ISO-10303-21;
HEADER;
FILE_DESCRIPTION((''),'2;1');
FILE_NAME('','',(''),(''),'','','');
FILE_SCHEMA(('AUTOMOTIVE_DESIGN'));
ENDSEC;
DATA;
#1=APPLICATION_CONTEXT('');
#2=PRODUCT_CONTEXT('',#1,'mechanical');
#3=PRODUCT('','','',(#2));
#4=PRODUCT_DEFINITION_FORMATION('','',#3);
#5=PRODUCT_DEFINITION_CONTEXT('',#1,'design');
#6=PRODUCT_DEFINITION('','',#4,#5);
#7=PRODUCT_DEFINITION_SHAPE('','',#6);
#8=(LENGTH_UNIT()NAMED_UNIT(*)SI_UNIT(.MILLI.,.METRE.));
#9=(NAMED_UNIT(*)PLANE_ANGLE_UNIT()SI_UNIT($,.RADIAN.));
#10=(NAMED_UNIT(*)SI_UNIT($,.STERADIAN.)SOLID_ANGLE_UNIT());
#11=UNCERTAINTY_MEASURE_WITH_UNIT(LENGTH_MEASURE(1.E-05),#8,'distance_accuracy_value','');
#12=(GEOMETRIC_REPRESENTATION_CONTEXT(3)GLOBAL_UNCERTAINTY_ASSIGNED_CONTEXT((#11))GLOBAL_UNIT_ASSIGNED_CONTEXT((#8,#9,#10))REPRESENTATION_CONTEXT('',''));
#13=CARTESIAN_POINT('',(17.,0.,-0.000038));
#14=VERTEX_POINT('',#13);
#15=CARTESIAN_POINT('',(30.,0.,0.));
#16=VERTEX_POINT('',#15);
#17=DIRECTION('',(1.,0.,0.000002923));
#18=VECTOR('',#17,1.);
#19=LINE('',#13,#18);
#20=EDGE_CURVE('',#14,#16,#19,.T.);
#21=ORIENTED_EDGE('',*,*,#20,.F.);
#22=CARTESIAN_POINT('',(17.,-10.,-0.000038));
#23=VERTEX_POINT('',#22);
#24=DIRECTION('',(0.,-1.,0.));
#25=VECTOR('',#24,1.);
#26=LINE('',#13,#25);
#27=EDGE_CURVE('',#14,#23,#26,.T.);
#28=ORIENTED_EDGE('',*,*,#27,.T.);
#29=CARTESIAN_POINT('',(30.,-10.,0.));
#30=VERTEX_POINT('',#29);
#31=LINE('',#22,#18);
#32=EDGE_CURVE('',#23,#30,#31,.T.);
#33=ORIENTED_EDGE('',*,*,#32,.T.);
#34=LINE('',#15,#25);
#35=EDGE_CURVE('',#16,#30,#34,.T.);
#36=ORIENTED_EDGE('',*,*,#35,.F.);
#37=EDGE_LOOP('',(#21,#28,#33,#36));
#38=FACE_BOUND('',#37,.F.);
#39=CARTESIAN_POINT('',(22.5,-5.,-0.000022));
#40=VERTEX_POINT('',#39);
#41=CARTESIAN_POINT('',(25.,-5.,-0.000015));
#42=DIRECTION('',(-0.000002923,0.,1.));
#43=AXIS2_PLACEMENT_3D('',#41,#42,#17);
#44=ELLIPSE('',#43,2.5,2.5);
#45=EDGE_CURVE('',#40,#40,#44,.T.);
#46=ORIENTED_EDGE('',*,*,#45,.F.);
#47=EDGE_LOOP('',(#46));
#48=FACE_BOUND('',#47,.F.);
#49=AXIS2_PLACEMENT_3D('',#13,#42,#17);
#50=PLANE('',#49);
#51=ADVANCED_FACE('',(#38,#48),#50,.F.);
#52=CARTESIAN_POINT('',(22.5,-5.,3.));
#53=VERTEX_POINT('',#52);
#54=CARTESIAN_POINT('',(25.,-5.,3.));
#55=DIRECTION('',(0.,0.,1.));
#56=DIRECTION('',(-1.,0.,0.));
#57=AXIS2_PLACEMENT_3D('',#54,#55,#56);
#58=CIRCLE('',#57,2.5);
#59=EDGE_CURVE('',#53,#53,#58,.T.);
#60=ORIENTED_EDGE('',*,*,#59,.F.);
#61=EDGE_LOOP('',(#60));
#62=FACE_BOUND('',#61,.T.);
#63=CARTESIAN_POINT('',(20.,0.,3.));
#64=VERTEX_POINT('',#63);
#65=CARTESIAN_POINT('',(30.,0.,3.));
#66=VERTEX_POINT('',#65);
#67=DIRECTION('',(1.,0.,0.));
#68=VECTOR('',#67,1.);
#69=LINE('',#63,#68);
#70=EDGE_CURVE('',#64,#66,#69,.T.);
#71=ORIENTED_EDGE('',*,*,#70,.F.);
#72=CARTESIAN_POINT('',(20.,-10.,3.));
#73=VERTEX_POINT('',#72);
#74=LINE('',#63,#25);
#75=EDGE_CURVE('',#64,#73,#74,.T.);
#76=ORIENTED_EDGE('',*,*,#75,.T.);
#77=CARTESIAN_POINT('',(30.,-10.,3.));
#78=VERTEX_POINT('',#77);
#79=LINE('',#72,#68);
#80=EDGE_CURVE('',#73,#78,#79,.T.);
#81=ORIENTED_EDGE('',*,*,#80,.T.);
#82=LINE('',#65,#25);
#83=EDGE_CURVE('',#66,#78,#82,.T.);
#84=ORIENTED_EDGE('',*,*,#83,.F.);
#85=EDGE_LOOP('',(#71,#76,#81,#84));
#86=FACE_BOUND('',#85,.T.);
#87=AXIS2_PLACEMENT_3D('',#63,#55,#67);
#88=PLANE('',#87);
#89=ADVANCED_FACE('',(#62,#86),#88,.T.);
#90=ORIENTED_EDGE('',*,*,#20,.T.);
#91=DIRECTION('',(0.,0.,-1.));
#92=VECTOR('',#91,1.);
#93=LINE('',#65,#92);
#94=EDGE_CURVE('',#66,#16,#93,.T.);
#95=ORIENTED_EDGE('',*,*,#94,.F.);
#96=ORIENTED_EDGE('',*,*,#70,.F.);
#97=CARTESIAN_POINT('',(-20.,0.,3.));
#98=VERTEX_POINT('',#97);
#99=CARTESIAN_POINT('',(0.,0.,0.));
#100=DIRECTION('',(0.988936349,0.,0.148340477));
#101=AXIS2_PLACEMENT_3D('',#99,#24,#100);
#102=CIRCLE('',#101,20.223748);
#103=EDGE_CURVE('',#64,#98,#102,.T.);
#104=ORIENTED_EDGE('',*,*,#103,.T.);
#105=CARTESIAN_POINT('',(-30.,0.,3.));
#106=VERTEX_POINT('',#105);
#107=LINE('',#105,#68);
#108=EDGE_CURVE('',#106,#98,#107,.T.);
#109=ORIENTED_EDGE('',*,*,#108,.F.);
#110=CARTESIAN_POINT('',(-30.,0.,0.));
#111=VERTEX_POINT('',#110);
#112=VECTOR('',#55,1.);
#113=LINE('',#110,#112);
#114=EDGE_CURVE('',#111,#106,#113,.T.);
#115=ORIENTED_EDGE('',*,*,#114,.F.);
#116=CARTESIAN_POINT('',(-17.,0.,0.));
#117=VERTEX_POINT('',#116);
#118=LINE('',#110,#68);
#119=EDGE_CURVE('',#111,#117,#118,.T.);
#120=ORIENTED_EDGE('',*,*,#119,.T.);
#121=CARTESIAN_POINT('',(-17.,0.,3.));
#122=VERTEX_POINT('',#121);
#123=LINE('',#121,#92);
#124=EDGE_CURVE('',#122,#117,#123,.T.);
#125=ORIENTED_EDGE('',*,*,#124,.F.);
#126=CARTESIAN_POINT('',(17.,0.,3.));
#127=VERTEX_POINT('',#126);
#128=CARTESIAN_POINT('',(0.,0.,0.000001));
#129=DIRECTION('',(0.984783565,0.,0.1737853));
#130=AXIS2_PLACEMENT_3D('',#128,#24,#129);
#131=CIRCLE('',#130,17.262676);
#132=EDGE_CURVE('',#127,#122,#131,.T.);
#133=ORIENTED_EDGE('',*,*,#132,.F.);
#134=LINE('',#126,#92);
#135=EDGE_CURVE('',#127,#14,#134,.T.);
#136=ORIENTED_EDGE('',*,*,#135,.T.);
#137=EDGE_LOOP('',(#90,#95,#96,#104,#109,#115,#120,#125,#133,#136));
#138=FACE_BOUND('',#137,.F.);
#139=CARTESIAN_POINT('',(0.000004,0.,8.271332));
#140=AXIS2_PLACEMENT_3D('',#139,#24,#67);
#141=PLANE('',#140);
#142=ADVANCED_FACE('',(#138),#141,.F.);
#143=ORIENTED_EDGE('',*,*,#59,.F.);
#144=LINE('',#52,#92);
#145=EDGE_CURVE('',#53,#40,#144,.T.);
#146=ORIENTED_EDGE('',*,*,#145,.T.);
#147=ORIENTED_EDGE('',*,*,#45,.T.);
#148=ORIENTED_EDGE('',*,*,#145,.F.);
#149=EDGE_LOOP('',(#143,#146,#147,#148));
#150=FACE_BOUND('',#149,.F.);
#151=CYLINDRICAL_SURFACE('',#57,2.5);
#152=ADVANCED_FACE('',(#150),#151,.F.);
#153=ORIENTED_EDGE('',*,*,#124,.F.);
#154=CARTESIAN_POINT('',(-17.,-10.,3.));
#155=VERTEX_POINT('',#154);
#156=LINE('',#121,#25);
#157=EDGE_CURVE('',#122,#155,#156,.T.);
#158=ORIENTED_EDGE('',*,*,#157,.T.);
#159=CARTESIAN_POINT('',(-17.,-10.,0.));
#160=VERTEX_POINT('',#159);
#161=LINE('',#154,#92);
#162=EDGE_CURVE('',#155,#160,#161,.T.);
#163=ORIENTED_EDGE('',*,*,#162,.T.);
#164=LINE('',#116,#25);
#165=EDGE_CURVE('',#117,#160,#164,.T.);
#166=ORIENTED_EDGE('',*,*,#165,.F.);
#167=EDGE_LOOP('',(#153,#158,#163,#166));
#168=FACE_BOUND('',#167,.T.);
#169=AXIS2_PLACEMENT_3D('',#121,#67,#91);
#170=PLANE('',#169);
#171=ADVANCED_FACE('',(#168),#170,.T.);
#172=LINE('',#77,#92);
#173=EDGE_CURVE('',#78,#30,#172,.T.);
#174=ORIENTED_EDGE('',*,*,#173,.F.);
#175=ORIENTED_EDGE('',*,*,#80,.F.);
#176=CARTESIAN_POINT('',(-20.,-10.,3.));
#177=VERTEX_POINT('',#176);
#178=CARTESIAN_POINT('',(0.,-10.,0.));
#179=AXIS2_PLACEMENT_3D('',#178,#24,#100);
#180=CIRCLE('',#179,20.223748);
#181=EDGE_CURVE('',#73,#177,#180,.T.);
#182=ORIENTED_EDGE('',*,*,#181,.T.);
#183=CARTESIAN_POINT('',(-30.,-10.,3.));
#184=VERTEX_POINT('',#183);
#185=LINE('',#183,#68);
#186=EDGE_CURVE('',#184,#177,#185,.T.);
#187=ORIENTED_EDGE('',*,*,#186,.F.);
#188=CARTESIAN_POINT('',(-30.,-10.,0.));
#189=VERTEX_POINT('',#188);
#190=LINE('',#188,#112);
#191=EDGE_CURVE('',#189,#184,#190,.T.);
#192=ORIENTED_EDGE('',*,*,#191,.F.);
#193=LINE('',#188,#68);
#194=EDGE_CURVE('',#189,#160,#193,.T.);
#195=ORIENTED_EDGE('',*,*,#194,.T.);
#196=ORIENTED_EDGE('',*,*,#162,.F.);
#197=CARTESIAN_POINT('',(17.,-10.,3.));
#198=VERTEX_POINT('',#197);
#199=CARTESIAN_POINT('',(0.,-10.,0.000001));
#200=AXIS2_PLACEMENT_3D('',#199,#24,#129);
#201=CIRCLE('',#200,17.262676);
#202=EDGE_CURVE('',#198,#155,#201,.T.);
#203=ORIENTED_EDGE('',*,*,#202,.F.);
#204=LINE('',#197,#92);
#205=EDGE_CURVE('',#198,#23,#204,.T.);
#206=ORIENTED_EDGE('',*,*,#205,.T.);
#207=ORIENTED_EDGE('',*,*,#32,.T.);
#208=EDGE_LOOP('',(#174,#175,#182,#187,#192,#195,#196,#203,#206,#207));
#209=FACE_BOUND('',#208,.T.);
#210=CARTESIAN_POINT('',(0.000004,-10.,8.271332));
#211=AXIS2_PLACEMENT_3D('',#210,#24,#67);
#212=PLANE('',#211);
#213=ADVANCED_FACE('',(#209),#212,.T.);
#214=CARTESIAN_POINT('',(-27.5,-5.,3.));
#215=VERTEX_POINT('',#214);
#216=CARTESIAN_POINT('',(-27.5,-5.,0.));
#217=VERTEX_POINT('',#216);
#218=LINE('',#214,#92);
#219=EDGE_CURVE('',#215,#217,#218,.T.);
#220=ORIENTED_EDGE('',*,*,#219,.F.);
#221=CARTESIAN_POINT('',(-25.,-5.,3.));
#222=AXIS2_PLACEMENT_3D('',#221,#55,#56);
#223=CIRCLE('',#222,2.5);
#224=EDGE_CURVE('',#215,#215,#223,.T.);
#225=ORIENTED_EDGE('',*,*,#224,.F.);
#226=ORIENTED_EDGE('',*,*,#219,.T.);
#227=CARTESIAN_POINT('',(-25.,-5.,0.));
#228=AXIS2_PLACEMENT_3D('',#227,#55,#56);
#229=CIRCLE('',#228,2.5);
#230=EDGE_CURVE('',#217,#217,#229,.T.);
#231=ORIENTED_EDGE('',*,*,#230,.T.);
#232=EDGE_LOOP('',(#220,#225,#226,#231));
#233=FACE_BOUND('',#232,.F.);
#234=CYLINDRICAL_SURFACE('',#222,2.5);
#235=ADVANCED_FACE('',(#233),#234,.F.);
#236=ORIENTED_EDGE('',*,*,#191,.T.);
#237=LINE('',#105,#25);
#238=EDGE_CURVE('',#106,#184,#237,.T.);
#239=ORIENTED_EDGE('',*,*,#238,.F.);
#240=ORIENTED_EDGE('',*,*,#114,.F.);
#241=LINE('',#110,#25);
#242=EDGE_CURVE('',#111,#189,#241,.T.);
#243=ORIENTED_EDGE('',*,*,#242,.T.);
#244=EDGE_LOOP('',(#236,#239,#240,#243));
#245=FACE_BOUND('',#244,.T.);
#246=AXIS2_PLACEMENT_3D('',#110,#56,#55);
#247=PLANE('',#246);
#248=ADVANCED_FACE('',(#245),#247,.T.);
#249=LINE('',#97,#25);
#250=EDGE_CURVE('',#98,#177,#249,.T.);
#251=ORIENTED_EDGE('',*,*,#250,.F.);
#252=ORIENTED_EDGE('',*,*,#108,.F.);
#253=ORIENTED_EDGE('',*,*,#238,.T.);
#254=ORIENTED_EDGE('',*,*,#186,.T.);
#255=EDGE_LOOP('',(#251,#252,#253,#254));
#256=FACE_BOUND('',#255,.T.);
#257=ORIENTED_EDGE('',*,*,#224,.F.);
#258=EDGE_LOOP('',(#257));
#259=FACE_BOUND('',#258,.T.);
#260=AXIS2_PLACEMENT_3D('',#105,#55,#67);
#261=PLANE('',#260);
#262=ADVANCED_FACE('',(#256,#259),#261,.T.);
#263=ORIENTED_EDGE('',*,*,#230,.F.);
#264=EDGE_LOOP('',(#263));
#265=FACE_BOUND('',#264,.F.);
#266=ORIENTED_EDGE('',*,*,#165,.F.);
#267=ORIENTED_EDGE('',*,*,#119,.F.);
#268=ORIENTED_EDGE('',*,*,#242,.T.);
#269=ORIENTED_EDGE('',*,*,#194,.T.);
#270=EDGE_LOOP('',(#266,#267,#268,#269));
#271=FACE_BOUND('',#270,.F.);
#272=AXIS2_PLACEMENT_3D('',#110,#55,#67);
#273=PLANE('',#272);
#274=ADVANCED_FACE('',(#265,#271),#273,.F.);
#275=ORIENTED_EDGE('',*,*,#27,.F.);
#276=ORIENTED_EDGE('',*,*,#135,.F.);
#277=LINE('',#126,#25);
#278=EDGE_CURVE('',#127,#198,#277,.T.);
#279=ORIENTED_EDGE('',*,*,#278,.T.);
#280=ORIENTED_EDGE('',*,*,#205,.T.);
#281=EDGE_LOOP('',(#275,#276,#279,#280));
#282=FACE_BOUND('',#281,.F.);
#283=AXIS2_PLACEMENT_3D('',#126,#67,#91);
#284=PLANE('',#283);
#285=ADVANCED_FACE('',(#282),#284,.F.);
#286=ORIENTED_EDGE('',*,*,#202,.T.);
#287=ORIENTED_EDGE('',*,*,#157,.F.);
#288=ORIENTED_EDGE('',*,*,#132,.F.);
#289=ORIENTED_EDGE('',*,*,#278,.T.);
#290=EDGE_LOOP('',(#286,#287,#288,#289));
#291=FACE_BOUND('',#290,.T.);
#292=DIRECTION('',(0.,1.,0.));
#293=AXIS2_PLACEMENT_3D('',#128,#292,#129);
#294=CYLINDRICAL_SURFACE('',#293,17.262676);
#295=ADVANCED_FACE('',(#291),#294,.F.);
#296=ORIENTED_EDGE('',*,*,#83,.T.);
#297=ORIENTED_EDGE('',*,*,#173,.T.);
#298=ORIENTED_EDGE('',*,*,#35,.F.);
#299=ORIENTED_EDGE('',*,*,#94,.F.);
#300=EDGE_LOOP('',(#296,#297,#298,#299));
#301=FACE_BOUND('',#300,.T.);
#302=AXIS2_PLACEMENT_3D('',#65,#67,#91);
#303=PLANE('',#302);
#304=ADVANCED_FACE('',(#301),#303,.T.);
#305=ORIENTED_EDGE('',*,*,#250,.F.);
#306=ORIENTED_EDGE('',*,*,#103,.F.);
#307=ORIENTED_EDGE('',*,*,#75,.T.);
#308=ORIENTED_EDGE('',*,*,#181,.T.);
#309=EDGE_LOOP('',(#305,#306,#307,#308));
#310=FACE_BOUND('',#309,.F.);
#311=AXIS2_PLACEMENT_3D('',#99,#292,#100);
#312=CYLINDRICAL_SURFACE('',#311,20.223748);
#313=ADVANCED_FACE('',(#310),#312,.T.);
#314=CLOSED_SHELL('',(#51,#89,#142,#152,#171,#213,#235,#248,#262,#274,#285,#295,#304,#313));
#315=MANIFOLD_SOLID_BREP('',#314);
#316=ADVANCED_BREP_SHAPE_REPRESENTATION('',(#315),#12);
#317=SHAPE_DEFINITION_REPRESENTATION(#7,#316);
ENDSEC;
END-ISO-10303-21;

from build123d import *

# Parameters (mm, degrees)
PAD_DEPTH    = 10
SKETCH001_R  = 2.5
POCKET_DEPTH = 4


with BuildPart() as part:
    # Sketch → Pad (new body)
    with BuildSketch(Plane.XZ):
        with BuildLine():
            Line((-30, 0), (-17, 0))
            Line((-17, 3), (-17, 0))
            ThreePointArc((17, 3), (0, 17.262677), (-17, 3))
            Line((17, 3), (17, -3.8e-05))
            Line((17, -3.8e-05), (30, 0))
            Line((30, 3), (30, 0))
            Line((20, 3), (30, 3))
            ThreePointArc((20, 3), (0, 20.223748), (-20, 3))
            Line((-30, 3), (-20, 3))
            Line((-30, 0), (-30, 3))
        make_face()
    extrude(amount=PAD_DEPTH)

    # Sketch001 (on Face2 of Pad) → Pocket (cut)
    with BuildSketch(Plane(origin=(0, 0, 3), x_dir=(-1, 0, 0), z_dir=(0, 0, 1))):
        with Locations((-25, 5)):
            Circle(SKETCH001_R)
        with Locations((25, 5)):
            Circle(SKETCH001_R)
    extrude(amount=-POCKET_DEPTH, mode=Mode.SUBTRACT)


solid = part.part
